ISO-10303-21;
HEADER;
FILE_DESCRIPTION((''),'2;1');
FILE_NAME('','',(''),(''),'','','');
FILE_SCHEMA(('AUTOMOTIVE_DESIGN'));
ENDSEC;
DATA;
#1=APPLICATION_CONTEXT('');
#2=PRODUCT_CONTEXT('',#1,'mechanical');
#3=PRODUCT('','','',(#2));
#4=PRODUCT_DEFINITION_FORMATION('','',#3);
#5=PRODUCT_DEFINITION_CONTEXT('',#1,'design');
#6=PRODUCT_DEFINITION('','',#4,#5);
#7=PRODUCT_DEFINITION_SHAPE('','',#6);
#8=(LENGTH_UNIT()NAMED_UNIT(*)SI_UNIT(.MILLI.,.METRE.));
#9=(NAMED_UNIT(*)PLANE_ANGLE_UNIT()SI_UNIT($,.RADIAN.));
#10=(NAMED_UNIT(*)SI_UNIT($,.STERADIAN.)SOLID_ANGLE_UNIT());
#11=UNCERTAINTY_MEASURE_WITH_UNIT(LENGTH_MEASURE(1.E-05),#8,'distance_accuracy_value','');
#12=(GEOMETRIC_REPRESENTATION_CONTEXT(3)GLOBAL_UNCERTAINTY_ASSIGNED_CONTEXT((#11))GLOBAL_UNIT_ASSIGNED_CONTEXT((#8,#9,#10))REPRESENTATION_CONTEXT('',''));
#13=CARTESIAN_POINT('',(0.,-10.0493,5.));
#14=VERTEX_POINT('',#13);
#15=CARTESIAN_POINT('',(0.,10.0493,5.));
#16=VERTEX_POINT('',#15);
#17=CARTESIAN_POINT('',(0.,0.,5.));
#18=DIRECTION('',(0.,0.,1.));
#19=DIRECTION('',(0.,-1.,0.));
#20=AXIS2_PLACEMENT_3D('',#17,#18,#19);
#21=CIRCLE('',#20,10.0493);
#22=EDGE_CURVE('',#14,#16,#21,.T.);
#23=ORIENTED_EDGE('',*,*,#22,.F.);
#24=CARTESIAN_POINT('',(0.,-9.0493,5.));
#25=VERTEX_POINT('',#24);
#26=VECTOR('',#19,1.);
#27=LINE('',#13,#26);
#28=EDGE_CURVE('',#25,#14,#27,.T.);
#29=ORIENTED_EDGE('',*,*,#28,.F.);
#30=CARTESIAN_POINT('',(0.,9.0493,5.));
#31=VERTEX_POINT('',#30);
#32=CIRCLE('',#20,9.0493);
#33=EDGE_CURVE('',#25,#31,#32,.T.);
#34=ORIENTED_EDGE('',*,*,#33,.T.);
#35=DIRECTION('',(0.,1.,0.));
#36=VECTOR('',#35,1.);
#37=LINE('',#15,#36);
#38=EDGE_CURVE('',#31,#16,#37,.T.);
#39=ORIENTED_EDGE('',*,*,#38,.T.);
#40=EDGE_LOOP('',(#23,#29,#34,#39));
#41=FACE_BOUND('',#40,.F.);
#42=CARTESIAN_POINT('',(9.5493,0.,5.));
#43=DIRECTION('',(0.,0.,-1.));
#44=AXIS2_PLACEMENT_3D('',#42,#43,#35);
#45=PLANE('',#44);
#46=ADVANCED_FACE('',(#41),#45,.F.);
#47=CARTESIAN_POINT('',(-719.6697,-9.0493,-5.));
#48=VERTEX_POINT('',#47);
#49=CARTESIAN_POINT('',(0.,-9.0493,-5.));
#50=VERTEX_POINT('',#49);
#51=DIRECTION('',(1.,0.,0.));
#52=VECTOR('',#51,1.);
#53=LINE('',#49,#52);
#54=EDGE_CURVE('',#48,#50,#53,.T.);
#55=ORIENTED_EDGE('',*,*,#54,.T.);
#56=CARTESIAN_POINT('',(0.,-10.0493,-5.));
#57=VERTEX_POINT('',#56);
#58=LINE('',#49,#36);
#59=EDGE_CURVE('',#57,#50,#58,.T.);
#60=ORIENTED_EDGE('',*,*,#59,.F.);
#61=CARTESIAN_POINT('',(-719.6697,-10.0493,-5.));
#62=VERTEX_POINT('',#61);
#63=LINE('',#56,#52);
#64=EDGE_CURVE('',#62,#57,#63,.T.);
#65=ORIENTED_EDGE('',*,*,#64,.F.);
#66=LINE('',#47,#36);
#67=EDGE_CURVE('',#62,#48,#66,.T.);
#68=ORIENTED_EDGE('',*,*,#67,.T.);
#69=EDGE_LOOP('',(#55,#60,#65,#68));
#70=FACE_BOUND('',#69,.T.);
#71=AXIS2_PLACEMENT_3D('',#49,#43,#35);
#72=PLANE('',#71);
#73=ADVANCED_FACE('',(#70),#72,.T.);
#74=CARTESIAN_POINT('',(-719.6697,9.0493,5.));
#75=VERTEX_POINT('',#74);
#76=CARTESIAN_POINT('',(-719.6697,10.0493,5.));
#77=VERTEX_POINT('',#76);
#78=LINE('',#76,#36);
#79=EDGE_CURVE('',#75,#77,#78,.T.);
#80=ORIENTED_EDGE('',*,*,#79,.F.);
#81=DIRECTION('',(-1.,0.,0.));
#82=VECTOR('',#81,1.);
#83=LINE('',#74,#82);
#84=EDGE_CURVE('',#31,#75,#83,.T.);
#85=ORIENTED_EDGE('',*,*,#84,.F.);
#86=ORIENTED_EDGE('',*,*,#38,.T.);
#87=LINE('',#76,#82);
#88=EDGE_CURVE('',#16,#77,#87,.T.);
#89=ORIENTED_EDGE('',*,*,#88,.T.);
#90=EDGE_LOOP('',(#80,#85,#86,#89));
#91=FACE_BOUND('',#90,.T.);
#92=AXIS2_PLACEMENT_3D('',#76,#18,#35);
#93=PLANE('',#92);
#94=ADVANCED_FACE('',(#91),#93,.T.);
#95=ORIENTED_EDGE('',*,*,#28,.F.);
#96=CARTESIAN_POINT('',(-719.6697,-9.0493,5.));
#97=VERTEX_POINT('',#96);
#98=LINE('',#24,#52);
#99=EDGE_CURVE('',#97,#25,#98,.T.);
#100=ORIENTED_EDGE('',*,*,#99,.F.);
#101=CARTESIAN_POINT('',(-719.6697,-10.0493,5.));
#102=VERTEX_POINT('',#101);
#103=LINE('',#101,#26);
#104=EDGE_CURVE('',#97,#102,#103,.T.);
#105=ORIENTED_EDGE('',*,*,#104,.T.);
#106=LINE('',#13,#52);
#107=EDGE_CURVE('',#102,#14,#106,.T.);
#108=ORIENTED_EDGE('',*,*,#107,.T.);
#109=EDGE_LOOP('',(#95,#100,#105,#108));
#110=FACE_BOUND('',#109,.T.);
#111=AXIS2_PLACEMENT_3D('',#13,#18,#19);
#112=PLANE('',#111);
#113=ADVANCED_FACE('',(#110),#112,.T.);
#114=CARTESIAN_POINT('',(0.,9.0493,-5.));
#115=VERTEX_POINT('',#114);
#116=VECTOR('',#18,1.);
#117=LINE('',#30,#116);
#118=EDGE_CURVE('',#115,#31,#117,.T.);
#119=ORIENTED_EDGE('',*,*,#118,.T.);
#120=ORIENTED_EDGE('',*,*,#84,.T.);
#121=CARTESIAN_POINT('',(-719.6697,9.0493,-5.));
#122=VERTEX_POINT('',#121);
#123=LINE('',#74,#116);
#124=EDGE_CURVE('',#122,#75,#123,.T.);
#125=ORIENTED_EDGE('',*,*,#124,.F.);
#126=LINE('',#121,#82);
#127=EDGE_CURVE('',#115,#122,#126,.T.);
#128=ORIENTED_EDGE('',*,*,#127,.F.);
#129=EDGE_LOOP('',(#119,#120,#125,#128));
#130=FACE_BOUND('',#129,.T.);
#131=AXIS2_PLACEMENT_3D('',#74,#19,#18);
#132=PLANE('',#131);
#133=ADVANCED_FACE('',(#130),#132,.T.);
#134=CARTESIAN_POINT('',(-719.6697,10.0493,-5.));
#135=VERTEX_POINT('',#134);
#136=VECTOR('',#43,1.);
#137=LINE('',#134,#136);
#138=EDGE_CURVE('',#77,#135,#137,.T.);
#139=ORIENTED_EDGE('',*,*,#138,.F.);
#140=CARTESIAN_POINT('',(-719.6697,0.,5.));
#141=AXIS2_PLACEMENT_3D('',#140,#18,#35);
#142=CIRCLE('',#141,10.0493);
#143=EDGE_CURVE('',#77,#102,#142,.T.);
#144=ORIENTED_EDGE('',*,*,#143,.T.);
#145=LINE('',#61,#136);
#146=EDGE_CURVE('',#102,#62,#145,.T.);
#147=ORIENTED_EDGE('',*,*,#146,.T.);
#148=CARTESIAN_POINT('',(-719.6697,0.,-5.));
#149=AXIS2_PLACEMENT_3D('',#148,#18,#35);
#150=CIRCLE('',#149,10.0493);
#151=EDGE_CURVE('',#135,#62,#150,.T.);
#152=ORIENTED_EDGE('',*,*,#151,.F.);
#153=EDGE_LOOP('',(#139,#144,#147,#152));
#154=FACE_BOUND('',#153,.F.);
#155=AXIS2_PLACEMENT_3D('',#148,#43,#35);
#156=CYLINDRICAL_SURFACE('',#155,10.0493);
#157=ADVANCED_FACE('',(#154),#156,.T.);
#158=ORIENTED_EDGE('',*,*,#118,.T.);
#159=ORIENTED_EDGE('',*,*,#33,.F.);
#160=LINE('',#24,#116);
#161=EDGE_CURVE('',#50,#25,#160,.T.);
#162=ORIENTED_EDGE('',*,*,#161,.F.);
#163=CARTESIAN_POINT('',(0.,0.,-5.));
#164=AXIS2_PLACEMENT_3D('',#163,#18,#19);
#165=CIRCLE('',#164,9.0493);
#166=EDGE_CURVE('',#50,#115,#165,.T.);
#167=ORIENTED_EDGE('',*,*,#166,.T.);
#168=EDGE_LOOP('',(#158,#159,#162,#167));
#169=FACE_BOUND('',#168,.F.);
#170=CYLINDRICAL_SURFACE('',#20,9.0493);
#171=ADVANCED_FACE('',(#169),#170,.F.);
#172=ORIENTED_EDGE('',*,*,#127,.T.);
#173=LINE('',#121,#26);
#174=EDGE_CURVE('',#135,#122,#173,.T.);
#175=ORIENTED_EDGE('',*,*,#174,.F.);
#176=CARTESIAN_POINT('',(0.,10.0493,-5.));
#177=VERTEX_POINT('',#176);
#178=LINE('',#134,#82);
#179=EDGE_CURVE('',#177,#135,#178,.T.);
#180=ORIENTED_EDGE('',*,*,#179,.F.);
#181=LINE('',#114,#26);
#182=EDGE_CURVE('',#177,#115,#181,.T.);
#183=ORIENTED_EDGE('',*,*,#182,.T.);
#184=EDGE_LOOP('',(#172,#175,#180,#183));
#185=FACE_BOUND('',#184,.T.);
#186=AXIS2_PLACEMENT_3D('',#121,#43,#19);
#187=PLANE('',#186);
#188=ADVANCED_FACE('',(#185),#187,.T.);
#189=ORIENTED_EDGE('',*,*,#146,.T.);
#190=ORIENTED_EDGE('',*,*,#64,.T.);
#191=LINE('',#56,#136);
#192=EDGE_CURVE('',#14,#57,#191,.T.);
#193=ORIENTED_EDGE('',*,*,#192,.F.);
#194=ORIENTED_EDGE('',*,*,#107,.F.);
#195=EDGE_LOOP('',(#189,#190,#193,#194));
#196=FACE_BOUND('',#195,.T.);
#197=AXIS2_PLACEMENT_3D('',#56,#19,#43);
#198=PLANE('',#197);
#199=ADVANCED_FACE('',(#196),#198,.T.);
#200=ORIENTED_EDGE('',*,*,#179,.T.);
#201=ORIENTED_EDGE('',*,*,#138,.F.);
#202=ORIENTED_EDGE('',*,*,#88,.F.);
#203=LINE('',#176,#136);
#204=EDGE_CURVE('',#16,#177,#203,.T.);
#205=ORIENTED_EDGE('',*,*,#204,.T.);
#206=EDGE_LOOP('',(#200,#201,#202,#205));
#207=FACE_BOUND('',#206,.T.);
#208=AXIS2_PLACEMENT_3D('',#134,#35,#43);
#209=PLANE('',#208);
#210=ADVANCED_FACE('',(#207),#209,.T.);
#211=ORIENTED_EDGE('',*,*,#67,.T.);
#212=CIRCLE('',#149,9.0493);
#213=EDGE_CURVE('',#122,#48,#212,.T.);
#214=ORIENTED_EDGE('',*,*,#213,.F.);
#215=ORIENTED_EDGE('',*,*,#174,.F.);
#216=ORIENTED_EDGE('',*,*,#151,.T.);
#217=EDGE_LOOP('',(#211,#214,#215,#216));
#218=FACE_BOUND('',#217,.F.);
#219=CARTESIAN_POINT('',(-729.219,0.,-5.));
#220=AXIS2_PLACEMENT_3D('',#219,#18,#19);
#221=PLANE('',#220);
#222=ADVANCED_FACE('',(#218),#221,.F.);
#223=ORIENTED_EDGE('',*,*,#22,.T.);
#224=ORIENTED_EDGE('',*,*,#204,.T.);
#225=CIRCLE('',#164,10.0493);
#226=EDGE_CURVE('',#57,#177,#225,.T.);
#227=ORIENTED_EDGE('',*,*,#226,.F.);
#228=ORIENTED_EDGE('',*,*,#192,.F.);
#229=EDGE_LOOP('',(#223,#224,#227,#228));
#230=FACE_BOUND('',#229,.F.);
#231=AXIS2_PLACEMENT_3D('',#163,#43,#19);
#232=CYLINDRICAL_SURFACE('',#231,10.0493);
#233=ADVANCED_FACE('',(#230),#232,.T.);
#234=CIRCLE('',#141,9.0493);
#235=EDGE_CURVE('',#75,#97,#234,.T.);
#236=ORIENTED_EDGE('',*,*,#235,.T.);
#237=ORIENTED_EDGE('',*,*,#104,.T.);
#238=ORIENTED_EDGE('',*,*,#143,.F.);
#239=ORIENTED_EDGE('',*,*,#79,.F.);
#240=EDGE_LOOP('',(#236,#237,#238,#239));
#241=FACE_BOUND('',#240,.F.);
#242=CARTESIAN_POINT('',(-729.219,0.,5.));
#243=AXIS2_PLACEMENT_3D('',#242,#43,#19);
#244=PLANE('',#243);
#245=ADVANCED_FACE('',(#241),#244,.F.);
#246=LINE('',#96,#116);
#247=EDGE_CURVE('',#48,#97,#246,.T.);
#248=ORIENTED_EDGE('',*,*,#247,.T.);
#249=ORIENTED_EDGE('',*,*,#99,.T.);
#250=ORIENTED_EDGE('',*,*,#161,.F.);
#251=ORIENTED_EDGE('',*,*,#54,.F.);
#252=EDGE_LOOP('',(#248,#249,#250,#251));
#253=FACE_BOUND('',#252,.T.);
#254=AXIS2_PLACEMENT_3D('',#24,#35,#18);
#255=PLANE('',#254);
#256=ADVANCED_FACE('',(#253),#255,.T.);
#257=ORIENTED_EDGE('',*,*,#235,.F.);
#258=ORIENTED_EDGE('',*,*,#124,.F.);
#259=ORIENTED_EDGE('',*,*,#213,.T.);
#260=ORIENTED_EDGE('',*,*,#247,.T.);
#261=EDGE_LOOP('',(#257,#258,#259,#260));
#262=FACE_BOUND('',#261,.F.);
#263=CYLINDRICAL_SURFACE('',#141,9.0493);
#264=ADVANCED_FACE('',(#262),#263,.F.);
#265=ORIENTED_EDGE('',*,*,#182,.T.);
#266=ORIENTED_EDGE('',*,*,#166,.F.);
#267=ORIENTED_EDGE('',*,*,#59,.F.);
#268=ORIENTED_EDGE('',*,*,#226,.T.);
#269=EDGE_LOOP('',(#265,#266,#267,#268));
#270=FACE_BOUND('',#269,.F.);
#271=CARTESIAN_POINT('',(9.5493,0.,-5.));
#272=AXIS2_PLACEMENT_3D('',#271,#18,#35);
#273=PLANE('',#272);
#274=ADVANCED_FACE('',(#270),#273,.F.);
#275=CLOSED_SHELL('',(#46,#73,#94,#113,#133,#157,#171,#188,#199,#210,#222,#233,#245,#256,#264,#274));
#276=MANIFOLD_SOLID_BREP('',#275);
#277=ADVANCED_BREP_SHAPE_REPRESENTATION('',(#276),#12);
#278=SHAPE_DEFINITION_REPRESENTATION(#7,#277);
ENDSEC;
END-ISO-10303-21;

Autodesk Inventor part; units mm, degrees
sketch "Sketch Path" plane through (0, 0, 0) normal (0, 0, 1) x (1, 0, 0)
  arc A0 (0, -9.5493) -> (0, 9.5493) centre (0, 0) ccw
  arc A1 (-719.6697, 9.5493) -> (-719.6697, -9.5493) centre (-719.6697, 0) ccw
  line L0 (-719.6697, 9.5493) -> (0, 9.5493)
  line L1 (0, -9.5493) -> (-719.6697, -9.5493)
ref_plane "Cross Section Plane" through (0, 9.5493, 0) normal (-1, 0, 0) x (0, 0, 1)
ref_plane "Work Plane2" through (0, 0, 0) normal (-1, 0, 0) x (0, 0, 1)
ref_plane "Work Plane3" through (-719.6697, 0, 0) normal (0.9994, -0.0346, 0) x (0, 0, 1)
sketch "Cross Section" plane through (0, 9.5493, 0) normal (-1, 0, 0) x (0, 0, 1)
  line L0 (-5, 0.5) -> (5, 0.5)
  line L1 (5, 0.5) -> (5, -0.5)
  line L2 (5, -0.5) -> (-5, -0.5)
  line L3 (-5, -0.5) -> (-5, 0.5)
  line L4 (-5, 0) -> (5, 0) construction
  point P0 (0, 0)
  point P1 (0, 0)
  dimension "d0" = 10
  dimension "d4" = 0.5
  dimension "d5" = 0.5
sweep "Belt" add profiles "Cross Section" path "Sketch Path"
equation "\"d0\" = da_B"
equation "\"d4\" = da_a"
equation "\"d5\" = da_a2"
equation "\"da_B\" = 10"
equation "\"da_pb\" = 5"
equation "\"da_L\" = 1499.33948"
equation "\"da_a\" = 0.5"
equation "\"da_S\" = 2.65"
equation "\"da_Beta\" = 20deg"
equation "\"da_Ht\" = 1.2"
equation "\"da_H\" = 2.2"
equation "\"da_a2\" = 0.5"
properties part number "Synchronous Belt" material "Rubber"
